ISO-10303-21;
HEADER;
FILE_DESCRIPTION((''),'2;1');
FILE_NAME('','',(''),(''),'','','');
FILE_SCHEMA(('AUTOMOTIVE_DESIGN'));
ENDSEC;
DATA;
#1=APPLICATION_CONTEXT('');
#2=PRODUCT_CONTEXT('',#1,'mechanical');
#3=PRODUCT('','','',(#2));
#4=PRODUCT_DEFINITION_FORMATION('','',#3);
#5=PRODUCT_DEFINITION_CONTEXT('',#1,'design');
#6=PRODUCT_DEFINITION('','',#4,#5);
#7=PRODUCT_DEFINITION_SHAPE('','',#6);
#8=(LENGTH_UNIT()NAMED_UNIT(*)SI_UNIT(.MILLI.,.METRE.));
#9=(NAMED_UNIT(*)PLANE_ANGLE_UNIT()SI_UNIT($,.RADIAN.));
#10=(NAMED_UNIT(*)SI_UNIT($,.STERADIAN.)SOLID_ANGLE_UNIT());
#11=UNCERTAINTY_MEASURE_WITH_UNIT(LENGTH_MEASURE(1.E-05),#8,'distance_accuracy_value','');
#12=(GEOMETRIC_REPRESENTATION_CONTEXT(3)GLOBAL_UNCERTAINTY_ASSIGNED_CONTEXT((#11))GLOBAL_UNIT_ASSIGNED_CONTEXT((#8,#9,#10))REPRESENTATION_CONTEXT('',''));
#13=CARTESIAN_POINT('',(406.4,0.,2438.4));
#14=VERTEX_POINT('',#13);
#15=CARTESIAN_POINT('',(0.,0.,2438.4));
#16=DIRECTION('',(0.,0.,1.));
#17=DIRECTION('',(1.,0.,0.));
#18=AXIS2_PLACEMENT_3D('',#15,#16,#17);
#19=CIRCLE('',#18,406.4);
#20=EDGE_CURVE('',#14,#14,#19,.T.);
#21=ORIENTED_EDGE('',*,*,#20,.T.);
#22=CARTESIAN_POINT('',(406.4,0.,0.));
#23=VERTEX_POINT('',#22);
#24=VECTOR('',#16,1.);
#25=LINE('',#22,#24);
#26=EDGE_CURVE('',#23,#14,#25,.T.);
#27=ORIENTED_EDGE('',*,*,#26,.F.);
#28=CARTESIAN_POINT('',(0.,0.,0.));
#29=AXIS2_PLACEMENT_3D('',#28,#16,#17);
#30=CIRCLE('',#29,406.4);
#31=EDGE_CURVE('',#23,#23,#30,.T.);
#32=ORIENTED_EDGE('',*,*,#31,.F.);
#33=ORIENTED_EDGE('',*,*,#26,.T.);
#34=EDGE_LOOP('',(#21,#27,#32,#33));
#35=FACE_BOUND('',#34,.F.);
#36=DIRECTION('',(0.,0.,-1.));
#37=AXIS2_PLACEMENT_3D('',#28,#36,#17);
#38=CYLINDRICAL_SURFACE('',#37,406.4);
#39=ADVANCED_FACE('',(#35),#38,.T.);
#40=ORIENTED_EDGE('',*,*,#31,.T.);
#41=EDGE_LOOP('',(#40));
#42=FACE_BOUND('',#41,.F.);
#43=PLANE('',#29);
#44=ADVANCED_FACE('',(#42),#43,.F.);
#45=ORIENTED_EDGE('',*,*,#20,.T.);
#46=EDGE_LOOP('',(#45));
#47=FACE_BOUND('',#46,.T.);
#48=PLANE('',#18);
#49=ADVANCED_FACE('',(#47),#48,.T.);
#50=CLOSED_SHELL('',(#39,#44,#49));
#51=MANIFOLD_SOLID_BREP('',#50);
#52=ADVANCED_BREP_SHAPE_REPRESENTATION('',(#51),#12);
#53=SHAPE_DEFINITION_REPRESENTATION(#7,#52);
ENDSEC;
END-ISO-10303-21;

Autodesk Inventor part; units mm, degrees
ref_plane "YZ Plane" through (0, 0, 0) normal (1, 0, 0) x (0, 1, 0)
ref_plane "XZ Plane" through (0, 0, 0) normal (0, 1, 0) x (-1, 0, 0)
ref_plane "XY Plane" through (0, 0, 0) normal (0, 0, 1) x (1, 0, 0)
sketch "Sketch1" plane through (0, 0, 0) normal (0, 0, 1) x (1, 0, 0)
  circle A0 centre (0, 0) radius 406.4
  dimension "d0" = 812.8
extrude "Extrusion1" add sketch "Sketch1" along normal blind 2438.4
properties part number "CRMI-310VTFWG"
